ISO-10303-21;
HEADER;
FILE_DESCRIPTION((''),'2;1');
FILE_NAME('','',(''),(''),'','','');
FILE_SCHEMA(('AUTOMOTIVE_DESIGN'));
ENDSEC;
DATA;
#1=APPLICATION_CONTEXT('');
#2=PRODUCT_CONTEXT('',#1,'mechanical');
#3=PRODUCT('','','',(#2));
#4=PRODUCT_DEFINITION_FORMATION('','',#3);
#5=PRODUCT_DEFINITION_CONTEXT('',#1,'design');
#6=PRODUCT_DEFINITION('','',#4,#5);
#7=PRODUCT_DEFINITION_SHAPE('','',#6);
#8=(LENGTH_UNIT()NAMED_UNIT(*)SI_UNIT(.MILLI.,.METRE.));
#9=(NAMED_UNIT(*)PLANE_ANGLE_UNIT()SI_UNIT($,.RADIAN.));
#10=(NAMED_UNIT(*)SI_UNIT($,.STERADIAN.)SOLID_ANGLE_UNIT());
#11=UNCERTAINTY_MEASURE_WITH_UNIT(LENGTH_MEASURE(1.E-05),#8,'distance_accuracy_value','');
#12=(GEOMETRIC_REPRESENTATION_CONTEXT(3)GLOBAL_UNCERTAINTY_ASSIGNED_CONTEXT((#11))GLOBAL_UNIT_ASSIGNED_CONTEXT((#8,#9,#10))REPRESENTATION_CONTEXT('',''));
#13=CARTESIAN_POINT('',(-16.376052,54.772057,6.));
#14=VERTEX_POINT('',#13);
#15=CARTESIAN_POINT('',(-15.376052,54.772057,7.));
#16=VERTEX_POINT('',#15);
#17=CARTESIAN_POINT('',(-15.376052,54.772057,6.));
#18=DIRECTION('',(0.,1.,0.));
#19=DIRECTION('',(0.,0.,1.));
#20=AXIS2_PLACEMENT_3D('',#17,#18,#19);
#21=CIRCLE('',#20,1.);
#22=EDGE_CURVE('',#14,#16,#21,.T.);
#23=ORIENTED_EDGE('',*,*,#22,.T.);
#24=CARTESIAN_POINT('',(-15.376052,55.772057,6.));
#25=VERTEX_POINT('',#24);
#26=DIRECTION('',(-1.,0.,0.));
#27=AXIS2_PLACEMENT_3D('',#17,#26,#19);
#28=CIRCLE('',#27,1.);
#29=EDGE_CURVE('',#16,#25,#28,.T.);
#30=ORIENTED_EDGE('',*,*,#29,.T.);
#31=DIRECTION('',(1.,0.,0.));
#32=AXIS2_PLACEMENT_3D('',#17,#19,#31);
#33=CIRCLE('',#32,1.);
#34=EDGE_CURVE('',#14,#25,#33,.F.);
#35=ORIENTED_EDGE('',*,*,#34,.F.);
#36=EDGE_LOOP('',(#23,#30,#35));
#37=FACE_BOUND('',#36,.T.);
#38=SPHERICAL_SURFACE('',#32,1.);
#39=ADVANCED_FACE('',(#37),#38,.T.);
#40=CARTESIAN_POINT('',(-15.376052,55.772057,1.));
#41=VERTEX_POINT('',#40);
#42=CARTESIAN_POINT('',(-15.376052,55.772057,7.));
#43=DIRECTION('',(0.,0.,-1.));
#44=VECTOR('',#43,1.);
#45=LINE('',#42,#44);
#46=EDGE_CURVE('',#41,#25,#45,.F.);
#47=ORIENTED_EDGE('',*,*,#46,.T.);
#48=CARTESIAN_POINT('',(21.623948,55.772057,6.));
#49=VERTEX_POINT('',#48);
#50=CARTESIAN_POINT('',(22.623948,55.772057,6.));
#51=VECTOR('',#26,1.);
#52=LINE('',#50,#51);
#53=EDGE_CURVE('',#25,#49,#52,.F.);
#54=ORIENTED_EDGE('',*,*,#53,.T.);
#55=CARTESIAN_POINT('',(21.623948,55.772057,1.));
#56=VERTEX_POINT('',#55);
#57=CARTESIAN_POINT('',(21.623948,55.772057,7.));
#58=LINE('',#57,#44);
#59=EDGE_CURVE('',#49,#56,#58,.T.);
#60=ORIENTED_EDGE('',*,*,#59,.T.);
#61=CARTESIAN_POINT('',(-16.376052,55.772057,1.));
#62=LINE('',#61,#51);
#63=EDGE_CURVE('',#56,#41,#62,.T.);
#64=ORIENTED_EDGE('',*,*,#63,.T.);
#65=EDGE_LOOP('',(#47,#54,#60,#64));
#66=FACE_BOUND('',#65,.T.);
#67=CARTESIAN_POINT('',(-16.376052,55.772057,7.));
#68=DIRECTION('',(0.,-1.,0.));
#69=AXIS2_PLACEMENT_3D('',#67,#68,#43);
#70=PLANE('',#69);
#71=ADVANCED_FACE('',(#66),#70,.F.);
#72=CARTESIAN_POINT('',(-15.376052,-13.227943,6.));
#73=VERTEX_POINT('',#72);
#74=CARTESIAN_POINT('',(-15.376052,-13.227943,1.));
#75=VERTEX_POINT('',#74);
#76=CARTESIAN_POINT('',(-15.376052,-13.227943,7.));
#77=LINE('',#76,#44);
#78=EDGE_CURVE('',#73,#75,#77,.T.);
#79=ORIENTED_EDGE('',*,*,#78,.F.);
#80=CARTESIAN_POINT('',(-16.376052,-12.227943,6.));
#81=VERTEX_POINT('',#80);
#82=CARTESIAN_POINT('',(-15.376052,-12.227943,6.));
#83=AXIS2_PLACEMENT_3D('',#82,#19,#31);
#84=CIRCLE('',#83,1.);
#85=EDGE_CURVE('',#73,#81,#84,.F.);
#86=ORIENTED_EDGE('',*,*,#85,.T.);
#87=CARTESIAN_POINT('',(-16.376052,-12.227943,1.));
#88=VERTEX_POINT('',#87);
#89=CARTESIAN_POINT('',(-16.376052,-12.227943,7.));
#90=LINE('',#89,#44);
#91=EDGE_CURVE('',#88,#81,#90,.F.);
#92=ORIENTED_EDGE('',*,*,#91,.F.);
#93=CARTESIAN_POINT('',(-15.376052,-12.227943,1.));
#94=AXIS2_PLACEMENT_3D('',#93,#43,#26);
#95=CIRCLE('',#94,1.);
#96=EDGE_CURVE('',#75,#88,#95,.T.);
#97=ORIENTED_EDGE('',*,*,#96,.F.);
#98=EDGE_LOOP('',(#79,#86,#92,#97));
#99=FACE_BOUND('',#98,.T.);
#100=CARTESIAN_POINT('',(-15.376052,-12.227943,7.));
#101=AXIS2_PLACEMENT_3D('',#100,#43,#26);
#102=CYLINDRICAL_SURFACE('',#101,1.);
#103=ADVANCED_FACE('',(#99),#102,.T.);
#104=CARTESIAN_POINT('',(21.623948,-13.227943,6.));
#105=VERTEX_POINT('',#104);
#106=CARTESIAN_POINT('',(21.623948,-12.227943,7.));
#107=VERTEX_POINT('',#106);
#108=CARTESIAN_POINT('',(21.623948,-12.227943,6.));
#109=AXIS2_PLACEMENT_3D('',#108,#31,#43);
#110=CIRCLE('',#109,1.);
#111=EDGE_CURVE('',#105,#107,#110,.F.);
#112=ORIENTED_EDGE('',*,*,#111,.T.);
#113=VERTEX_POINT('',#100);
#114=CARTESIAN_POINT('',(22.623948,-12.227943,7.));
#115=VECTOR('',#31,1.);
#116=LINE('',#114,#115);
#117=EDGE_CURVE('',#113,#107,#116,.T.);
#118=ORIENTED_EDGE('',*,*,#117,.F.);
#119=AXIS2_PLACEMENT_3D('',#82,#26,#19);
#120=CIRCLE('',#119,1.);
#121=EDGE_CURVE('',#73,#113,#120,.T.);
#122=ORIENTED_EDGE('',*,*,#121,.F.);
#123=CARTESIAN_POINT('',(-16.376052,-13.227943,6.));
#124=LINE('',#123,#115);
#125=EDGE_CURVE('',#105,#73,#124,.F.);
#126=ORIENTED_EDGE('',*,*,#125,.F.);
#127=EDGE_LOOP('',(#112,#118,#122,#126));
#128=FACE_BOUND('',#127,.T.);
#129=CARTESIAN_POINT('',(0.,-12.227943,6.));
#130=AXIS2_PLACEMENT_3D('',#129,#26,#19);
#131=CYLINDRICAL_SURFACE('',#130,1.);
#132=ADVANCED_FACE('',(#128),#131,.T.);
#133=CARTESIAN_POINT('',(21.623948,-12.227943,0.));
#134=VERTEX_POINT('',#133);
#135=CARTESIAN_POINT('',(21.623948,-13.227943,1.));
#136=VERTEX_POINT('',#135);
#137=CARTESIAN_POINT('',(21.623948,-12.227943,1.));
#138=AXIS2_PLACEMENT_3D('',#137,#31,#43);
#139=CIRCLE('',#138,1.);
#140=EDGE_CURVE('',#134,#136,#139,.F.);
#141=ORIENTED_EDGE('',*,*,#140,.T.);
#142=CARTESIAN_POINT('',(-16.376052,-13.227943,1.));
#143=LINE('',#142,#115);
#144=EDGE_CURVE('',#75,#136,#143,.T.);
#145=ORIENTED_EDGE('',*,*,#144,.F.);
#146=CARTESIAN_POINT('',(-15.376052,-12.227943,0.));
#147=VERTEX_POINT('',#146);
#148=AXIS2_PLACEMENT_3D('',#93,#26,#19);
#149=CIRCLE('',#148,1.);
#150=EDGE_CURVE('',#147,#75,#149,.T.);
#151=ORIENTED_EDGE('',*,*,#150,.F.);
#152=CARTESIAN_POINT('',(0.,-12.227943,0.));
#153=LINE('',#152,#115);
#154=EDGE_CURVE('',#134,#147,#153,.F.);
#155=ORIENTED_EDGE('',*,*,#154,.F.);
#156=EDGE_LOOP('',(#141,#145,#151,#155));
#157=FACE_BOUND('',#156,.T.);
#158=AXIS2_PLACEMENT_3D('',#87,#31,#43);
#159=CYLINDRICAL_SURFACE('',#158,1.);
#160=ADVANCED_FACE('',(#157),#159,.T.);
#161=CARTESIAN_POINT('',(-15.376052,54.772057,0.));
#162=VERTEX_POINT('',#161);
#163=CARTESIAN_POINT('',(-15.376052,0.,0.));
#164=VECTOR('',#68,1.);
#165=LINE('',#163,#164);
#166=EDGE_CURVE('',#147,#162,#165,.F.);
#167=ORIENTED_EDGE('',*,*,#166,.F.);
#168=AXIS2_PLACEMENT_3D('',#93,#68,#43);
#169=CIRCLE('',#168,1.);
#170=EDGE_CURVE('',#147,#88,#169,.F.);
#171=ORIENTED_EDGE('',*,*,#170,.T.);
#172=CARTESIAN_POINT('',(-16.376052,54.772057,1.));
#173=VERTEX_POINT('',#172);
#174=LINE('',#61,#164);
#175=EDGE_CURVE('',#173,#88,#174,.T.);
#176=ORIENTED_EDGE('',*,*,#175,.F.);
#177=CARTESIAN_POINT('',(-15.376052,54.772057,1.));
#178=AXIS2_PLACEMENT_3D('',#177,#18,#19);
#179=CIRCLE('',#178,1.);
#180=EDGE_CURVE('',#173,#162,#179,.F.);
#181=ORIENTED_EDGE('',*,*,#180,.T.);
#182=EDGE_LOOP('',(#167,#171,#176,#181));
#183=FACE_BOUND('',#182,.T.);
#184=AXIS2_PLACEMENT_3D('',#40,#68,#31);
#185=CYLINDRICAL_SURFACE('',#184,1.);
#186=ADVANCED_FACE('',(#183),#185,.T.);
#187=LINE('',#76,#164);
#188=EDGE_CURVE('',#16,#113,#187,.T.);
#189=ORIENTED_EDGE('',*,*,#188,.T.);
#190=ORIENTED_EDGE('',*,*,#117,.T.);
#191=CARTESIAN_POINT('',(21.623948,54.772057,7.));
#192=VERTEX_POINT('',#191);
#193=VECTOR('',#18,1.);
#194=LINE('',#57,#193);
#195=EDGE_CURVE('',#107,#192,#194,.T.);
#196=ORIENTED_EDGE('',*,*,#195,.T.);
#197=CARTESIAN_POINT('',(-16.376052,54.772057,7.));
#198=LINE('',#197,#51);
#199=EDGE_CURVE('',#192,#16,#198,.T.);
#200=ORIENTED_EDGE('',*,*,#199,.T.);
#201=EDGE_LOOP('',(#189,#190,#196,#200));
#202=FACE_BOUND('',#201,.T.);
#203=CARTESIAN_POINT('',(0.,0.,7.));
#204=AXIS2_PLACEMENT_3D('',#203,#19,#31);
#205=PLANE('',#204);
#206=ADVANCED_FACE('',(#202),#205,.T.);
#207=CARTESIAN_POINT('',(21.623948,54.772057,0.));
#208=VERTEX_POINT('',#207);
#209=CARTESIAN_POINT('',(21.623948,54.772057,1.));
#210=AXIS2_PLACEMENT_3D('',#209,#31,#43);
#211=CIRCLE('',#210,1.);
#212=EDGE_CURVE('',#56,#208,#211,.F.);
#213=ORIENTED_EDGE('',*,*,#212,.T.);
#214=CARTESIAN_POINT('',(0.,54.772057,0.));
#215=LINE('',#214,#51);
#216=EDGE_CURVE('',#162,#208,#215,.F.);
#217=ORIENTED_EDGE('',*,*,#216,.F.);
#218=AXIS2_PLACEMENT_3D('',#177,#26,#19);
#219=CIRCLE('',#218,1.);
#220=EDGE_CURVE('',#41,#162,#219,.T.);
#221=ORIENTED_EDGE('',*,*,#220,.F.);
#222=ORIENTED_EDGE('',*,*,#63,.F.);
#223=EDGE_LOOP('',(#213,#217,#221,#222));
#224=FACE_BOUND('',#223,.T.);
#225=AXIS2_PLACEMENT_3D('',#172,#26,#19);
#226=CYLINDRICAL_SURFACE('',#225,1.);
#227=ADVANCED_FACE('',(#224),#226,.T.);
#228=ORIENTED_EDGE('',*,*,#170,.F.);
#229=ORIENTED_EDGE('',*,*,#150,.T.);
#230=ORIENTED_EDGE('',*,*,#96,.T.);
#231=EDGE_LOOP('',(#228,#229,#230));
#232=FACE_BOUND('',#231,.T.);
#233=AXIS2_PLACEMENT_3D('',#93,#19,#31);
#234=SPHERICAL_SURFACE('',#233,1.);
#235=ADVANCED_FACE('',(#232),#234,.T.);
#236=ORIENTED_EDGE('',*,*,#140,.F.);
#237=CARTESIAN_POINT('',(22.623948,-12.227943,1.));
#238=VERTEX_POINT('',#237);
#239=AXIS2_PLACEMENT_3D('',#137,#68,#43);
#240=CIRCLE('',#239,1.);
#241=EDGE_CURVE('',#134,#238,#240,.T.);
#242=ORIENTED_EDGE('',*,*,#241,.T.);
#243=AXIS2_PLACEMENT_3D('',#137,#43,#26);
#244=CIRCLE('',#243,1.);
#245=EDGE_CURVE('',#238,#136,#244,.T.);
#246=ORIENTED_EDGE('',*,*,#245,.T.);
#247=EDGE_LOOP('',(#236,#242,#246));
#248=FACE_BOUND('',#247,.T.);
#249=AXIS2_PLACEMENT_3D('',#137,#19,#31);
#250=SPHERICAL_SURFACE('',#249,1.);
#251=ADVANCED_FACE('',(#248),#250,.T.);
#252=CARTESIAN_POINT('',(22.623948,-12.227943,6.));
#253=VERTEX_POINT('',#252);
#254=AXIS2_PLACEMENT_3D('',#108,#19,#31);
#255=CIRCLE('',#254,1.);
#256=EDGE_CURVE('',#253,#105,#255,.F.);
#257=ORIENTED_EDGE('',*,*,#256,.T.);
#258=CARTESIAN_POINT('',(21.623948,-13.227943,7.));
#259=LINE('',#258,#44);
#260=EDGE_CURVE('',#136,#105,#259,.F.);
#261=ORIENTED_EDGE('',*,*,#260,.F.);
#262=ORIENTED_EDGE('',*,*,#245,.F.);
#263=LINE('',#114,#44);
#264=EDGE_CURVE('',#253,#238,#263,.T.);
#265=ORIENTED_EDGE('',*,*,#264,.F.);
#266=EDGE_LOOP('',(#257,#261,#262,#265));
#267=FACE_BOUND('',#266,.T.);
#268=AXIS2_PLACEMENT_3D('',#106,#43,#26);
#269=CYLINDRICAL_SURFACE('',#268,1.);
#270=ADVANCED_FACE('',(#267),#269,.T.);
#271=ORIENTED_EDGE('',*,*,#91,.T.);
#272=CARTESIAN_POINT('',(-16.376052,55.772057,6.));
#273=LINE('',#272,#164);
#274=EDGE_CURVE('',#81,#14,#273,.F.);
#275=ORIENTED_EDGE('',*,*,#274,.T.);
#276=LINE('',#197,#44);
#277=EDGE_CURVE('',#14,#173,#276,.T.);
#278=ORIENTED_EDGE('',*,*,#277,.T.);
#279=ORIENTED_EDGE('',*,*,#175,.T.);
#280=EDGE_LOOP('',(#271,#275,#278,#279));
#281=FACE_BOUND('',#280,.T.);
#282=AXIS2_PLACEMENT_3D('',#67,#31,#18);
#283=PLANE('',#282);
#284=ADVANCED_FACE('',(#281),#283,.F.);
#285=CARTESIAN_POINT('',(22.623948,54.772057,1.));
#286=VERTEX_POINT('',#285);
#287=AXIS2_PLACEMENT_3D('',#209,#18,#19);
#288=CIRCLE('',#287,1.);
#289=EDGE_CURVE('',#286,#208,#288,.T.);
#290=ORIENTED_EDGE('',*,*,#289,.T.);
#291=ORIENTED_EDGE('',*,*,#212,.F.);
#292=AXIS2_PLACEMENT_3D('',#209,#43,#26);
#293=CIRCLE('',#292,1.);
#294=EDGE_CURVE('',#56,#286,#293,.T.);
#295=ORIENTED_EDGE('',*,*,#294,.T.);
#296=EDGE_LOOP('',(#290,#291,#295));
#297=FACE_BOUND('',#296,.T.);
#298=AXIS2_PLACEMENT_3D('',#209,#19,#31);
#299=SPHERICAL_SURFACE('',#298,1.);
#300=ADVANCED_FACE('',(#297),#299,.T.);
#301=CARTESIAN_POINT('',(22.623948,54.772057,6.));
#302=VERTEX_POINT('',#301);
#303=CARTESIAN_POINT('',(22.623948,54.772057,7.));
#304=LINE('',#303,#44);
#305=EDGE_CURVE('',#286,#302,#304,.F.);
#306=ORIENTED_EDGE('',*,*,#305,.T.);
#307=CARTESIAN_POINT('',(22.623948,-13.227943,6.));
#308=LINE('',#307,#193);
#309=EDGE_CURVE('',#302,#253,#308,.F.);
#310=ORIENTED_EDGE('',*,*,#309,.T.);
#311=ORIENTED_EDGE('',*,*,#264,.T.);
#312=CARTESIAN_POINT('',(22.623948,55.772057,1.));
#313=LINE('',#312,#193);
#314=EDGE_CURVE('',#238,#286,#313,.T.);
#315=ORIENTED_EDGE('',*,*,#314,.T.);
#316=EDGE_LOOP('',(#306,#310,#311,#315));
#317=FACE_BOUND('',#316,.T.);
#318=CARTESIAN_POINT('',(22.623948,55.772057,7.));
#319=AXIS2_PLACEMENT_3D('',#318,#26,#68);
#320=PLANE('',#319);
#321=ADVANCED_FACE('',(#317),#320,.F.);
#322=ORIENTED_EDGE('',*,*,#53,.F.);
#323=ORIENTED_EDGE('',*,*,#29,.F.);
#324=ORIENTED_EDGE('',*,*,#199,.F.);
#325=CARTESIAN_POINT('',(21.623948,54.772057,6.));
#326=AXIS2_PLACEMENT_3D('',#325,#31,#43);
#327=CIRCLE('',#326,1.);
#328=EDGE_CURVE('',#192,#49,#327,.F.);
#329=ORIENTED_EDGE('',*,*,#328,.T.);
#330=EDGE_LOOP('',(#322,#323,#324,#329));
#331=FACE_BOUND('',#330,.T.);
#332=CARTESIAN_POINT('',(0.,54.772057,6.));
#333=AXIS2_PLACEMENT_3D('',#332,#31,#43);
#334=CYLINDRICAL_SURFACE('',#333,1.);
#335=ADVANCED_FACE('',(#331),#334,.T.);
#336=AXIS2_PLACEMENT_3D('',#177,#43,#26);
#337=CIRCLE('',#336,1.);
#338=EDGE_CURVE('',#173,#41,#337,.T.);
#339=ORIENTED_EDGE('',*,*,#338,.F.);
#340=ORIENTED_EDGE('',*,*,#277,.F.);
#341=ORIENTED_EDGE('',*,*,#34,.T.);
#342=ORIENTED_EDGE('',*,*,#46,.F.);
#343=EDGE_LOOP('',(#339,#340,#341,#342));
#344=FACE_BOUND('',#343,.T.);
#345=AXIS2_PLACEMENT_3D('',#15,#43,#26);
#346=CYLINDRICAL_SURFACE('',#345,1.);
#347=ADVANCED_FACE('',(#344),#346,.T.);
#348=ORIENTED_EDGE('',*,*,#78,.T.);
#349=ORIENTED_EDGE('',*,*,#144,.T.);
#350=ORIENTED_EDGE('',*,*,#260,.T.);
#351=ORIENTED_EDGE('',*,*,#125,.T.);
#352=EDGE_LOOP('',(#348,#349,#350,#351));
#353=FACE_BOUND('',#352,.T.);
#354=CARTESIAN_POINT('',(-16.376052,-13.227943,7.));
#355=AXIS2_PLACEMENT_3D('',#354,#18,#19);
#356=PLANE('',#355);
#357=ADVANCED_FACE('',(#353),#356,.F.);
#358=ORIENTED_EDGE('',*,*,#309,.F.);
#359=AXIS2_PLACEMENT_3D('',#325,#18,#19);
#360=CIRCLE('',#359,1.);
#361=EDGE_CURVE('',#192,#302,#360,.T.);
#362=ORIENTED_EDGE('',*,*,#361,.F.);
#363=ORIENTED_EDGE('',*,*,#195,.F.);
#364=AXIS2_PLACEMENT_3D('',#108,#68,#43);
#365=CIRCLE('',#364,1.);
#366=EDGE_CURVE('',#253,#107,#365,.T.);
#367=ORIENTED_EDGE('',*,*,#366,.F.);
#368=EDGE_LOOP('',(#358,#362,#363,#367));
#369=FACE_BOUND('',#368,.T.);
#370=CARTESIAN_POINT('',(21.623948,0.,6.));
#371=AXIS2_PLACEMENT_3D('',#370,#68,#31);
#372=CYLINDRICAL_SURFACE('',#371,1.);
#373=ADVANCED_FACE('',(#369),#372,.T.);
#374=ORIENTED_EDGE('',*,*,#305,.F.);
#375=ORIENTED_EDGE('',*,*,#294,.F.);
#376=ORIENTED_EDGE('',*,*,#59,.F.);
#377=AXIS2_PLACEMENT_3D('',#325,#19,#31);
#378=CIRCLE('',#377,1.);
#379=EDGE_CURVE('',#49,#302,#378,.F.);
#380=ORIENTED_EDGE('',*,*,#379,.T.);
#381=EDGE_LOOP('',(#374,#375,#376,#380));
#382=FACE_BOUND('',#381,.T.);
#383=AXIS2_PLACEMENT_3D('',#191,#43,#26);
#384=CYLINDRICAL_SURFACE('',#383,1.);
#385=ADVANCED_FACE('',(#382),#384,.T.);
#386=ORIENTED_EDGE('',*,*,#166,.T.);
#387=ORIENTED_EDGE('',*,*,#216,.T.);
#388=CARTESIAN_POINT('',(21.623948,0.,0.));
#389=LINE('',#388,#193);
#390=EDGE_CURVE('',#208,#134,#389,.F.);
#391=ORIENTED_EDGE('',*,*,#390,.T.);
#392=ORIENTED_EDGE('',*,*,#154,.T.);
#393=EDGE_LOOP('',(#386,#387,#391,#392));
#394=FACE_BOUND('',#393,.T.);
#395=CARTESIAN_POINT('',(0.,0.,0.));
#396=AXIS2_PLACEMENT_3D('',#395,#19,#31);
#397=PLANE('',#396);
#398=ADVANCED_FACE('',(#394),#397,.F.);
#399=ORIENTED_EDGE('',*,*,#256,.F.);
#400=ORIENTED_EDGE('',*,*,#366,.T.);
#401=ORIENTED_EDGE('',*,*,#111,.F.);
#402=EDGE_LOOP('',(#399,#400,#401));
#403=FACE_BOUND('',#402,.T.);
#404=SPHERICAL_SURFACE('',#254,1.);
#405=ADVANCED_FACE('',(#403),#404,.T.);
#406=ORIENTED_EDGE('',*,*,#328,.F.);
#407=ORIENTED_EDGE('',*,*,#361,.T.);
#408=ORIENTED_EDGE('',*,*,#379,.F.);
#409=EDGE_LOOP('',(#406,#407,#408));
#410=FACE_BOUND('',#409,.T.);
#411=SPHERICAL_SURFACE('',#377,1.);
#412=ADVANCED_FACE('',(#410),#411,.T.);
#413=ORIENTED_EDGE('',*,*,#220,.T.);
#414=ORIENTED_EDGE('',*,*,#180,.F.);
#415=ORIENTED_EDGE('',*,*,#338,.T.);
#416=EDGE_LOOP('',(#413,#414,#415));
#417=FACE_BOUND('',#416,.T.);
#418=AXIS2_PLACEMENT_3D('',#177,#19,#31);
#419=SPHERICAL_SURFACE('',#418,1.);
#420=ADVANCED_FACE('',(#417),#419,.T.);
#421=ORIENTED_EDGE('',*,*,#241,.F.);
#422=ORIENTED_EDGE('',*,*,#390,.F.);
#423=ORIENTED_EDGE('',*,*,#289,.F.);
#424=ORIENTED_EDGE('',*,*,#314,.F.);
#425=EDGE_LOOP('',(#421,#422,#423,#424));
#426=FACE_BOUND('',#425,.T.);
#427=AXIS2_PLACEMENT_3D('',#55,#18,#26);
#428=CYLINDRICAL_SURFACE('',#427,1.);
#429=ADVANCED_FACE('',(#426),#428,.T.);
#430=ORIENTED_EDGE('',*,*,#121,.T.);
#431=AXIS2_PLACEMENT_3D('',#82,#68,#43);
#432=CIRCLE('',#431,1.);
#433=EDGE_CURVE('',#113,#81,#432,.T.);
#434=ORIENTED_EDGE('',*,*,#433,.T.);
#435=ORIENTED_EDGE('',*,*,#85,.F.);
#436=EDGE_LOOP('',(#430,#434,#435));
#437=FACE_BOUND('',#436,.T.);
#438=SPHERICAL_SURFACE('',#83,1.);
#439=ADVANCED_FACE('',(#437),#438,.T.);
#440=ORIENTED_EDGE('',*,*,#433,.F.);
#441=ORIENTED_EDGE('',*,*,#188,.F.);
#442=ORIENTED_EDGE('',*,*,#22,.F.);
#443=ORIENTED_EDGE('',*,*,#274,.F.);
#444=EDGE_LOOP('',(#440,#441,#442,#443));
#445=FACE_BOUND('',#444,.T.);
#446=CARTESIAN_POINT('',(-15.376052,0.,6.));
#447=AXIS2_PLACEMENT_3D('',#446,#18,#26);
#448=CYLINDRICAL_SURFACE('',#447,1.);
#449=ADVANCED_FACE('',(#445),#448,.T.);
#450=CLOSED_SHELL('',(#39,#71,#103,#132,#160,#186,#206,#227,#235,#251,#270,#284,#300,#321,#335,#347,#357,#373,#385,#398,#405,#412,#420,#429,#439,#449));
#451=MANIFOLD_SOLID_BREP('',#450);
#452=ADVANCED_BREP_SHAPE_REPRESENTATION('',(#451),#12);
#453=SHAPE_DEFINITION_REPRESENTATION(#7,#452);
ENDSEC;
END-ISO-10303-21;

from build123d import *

# Parameters (mm, degrees)
SKETCH1_W           = 39
SKETCH1_H           = 69
BOSS_EXTRUDE1_DEPTH = 7
FILLET1_R           = 1


with BuildPart() as part:
    # Sketch1 → Boss-Extrude1 (new body)
    with BuildSketch(Plane.XY):
        with Locations((3.123947554, 21.27205749)):
            Rectangle(SKETCH1_W, SKETCH1_H)
    extrude(amount=BOSS_EXTRUDE1_DEPTH)

    # Fillet1
    fillet1_edges = [part.edges().sort_by_distance(p)[0] for p in [
        (22.623947554, 21.27205749, 7),
        (3.123947554, 55.77205749, 7),
        (-16.376052446, 21.27205749, 7),
        (3.123947554, 55.77205749, 0),
        (22.623947554, 21.27205749, 0),
        (3.123947554, -13.22794251, 0),
        (-16.376052446, 21.27205749, 0),
        (3.123947554, -13.22794251, 7),
        (-16.376052446, 55.77205749, 3.5),
        (22.623947554, 55.77205749, 3.5),
        (22.623947554, -13.22794251, 3.5),
        (-16.376052446, -13.22794251, 3.5),
    ]]
    fillet(fillet1_edges, radius=FILLET1_R)


solid = part.part
